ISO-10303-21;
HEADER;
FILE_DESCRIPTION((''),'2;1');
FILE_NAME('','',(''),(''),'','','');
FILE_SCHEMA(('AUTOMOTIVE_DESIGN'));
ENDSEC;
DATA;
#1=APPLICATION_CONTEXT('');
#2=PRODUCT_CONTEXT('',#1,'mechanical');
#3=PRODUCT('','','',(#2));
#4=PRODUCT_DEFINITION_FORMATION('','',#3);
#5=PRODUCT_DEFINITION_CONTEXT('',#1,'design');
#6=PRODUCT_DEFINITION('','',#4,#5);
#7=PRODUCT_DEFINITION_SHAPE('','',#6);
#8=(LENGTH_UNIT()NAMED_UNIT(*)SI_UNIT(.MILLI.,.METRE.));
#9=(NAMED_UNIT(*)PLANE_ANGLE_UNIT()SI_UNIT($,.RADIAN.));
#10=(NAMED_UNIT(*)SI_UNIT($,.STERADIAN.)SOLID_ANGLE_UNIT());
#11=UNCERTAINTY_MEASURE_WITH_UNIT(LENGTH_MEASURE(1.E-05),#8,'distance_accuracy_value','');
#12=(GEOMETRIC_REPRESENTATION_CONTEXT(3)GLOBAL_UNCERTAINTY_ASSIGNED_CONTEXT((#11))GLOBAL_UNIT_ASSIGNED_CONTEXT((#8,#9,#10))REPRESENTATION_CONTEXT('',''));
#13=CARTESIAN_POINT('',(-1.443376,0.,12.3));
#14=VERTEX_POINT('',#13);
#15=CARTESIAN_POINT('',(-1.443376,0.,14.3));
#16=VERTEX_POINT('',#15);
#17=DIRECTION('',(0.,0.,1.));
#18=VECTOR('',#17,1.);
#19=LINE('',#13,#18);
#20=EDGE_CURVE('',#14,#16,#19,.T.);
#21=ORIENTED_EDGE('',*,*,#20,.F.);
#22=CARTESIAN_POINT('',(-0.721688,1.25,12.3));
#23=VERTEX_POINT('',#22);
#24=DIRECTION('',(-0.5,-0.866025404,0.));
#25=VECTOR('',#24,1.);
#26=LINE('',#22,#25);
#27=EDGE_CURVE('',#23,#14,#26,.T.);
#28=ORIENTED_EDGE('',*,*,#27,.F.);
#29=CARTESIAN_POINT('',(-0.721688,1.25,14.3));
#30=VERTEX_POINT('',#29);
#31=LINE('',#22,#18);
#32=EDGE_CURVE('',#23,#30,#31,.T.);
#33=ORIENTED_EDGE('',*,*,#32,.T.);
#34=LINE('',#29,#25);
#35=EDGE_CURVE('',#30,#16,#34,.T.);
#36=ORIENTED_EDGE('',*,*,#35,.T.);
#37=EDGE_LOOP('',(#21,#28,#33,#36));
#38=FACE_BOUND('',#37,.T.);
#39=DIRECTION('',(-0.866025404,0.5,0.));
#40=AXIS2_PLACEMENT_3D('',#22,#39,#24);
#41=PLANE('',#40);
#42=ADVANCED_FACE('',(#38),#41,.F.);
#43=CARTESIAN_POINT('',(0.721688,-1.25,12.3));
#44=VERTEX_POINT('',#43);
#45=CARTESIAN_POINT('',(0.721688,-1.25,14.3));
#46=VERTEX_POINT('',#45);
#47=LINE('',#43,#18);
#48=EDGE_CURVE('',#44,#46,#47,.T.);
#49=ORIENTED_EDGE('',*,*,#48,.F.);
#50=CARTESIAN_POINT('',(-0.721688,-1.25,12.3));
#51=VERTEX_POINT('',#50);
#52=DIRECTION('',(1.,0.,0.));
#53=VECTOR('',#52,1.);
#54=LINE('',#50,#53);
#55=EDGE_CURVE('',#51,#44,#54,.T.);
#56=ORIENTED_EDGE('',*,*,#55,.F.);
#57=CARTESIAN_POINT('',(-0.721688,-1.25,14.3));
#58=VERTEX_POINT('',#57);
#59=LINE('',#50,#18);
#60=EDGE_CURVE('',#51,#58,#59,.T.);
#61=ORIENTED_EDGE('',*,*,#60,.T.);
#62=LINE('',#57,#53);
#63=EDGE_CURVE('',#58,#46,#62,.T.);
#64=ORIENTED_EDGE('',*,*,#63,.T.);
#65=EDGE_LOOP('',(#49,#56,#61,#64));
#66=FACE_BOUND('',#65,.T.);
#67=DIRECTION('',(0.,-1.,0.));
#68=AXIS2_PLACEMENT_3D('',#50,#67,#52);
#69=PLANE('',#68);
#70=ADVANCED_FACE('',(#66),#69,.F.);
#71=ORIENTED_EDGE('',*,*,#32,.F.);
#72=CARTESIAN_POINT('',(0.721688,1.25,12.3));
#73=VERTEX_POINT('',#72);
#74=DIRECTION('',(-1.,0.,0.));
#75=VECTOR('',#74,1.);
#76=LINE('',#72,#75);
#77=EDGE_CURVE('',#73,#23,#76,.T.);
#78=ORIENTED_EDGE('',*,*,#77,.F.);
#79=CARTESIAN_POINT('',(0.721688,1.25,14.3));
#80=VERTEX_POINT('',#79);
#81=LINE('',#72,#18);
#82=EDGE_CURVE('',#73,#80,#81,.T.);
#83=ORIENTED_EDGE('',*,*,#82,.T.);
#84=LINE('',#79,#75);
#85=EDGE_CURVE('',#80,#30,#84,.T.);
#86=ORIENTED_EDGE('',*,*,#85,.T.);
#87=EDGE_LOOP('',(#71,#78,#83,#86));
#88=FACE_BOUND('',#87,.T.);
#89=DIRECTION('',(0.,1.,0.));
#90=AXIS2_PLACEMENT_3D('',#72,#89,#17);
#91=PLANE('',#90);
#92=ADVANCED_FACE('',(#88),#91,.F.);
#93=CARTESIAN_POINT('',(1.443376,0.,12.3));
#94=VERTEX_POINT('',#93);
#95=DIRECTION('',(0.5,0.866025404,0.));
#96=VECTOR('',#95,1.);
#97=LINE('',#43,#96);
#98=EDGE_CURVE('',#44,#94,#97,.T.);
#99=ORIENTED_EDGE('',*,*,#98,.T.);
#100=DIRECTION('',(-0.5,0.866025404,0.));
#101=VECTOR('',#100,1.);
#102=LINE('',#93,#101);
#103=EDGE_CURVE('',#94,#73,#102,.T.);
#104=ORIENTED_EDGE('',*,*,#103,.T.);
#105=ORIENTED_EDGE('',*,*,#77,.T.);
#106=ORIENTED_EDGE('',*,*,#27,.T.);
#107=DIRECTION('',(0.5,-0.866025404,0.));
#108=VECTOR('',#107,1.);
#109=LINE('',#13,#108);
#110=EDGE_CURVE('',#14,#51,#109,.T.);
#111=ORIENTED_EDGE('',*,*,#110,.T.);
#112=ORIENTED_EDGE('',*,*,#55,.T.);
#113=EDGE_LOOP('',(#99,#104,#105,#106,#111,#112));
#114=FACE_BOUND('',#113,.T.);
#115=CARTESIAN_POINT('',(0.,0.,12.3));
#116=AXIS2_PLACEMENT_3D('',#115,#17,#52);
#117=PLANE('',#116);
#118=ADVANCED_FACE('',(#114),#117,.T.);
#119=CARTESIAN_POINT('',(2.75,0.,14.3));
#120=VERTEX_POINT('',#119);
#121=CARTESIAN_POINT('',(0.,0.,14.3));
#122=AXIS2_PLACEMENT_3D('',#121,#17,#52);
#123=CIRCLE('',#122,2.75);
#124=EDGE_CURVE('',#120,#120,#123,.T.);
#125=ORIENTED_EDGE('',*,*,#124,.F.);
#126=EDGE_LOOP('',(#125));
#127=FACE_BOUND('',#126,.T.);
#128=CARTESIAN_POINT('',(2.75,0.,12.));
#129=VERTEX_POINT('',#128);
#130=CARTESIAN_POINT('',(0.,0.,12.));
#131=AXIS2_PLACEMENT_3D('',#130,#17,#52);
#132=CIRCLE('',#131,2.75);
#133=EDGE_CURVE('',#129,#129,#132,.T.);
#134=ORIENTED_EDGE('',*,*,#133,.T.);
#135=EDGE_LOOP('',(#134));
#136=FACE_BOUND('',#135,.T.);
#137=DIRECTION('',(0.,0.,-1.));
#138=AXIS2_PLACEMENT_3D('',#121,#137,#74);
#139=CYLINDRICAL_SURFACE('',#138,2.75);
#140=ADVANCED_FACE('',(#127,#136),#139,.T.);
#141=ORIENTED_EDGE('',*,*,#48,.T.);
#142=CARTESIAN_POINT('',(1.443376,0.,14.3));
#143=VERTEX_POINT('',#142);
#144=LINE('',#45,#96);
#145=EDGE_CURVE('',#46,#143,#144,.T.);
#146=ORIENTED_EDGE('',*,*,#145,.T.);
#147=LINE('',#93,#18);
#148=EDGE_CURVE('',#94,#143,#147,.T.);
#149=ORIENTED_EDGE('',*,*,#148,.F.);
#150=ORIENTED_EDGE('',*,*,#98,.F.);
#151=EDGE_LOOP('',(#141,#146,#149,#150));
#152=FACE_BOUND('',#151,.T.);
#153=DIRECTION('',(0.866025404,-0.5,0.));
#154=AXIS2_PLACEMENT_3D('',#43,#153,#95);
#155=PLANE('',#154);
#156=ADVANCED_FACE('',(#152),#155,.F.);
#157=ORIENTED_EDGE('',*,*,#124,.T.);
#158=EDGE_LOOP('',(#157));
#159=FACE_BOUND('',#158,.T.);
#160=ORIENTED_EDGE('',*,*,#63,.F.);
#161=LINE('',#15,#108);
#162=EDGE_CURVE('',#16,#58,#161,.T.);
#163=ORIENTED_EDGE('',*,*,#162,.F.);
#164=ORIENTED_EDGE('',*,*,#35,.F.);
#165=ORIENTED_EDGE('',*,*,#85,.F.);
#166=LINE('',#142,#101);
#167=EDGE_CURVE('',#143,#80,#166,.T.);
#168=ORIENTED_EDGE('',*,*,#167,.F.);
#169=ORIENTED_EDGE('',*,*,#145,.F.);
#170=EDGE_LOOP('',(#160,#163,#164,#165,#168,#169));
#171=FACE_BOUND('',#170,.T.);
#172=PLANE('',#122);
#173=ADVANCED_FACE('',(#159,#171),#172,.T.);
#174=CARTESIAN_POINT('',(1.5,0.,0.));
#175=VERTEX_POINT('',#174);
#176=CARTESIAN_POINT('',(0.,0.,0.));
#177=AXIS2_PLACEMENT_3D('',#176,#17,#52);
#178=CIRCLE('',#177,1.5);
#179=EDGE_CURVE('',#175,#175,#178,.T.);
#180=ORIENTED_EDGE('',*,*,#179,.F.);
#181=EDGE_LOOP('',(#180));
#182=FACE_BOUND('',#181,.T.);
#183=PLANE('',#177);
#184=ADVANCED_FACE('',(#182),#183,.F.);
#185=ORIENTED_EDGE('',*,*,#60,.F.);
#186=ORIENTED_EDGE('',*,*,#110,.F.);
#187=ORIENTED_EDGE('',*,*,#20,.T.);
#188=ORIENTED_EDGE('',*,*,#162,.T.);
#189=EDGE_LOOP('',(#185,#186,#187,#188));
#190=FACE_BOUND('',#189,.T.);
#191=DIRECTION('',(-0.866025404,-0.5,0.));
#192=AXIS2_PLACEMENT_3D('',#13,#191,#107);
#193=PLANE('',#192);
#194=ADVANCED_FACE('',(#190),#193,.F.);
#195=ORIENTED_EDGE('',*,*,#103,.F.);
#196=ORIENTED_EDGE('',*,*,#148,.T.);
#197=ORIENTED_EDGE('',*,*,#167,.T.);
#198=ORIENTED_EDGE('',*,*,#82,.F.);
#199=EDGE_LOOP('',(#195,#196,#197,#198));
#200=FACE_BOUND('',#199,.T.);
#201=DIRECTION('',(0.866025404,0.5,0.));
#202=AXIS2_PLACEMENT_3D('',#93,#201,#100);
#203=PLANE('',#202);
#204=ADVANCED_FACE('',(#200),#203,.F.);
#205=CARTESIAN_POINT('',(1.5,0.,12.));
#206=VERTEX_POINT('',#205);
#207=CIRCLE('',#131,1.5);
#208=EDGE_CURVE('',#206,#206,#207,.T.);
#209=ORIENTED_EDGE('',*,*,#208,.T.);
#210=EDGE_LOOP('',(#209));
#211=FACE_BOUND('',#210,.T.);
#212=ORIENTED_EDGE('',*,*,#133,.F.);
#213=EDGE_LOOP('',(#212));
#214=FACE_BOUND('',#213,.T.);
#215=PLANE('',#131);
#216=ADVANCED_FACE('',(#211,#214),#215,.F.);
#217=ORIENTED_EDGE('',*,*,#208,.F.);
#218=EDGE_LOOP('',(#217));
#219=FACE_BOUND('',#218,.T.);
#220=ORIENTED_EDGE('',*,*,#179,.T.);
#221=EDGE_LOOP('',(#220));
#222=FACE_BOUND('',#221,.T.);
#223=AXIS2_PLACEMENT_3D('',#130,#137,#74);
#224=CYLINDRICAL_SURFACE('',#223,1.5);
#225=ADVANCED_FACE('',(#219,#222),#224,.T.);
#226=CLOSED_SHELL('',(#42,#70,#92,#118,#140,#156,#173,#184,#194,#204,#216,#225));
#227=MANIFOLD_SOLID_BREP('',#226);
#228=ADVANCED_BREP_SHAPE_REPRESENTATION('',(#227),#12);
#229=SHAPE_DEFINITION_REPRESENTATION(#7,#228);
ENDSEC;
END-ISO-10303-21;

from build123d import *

# Parameters (mm, degrees)
ESQUISSE1_R             = 1.5
BOSS_EXTRU_1_DEPTH      = 12
ESQUISSE2_R             = 2.75
BOSS_EXTRU_2_DEPTH      = 2.3
ENL_V_MAT_EXTRU_1_DEPTH = 2


with BuildPart() as part:
    # Esquisse1 → Boss.-Extru.1 (new body)
    with BuildSketch(Plane.XY):
        Circle(ESQUISSE1_R)
    extrude(amount=BOSS_EXTRU_1_DEPTH)

    # Esquisse2 → Boss.-Extru.2 (add)
    with BuildSketch(Plane.XY.offset(12)):
        Circle(ESQUISSE2_R)
    extrude(amount=BOSS_EXTRU_2_DEPTH)

    # Esquisse3 → Enlèv. mat.-Extru.1 (cut)
    with BuildSketch(Plane.XY.offset(14.3)):
        Polygon((1.443375673, 0), (0.721687836, 1.25), (-0.721687836, 1.25), (-1.443375673, 0), (-0.721687836, -1.25), (0.721687836, -1.25), align=None)
    extrude(amount=-ENL_V_MAT_EXTRU_1_DEPTH, mode=Mode.SUBTRACT)


solid = part.part
